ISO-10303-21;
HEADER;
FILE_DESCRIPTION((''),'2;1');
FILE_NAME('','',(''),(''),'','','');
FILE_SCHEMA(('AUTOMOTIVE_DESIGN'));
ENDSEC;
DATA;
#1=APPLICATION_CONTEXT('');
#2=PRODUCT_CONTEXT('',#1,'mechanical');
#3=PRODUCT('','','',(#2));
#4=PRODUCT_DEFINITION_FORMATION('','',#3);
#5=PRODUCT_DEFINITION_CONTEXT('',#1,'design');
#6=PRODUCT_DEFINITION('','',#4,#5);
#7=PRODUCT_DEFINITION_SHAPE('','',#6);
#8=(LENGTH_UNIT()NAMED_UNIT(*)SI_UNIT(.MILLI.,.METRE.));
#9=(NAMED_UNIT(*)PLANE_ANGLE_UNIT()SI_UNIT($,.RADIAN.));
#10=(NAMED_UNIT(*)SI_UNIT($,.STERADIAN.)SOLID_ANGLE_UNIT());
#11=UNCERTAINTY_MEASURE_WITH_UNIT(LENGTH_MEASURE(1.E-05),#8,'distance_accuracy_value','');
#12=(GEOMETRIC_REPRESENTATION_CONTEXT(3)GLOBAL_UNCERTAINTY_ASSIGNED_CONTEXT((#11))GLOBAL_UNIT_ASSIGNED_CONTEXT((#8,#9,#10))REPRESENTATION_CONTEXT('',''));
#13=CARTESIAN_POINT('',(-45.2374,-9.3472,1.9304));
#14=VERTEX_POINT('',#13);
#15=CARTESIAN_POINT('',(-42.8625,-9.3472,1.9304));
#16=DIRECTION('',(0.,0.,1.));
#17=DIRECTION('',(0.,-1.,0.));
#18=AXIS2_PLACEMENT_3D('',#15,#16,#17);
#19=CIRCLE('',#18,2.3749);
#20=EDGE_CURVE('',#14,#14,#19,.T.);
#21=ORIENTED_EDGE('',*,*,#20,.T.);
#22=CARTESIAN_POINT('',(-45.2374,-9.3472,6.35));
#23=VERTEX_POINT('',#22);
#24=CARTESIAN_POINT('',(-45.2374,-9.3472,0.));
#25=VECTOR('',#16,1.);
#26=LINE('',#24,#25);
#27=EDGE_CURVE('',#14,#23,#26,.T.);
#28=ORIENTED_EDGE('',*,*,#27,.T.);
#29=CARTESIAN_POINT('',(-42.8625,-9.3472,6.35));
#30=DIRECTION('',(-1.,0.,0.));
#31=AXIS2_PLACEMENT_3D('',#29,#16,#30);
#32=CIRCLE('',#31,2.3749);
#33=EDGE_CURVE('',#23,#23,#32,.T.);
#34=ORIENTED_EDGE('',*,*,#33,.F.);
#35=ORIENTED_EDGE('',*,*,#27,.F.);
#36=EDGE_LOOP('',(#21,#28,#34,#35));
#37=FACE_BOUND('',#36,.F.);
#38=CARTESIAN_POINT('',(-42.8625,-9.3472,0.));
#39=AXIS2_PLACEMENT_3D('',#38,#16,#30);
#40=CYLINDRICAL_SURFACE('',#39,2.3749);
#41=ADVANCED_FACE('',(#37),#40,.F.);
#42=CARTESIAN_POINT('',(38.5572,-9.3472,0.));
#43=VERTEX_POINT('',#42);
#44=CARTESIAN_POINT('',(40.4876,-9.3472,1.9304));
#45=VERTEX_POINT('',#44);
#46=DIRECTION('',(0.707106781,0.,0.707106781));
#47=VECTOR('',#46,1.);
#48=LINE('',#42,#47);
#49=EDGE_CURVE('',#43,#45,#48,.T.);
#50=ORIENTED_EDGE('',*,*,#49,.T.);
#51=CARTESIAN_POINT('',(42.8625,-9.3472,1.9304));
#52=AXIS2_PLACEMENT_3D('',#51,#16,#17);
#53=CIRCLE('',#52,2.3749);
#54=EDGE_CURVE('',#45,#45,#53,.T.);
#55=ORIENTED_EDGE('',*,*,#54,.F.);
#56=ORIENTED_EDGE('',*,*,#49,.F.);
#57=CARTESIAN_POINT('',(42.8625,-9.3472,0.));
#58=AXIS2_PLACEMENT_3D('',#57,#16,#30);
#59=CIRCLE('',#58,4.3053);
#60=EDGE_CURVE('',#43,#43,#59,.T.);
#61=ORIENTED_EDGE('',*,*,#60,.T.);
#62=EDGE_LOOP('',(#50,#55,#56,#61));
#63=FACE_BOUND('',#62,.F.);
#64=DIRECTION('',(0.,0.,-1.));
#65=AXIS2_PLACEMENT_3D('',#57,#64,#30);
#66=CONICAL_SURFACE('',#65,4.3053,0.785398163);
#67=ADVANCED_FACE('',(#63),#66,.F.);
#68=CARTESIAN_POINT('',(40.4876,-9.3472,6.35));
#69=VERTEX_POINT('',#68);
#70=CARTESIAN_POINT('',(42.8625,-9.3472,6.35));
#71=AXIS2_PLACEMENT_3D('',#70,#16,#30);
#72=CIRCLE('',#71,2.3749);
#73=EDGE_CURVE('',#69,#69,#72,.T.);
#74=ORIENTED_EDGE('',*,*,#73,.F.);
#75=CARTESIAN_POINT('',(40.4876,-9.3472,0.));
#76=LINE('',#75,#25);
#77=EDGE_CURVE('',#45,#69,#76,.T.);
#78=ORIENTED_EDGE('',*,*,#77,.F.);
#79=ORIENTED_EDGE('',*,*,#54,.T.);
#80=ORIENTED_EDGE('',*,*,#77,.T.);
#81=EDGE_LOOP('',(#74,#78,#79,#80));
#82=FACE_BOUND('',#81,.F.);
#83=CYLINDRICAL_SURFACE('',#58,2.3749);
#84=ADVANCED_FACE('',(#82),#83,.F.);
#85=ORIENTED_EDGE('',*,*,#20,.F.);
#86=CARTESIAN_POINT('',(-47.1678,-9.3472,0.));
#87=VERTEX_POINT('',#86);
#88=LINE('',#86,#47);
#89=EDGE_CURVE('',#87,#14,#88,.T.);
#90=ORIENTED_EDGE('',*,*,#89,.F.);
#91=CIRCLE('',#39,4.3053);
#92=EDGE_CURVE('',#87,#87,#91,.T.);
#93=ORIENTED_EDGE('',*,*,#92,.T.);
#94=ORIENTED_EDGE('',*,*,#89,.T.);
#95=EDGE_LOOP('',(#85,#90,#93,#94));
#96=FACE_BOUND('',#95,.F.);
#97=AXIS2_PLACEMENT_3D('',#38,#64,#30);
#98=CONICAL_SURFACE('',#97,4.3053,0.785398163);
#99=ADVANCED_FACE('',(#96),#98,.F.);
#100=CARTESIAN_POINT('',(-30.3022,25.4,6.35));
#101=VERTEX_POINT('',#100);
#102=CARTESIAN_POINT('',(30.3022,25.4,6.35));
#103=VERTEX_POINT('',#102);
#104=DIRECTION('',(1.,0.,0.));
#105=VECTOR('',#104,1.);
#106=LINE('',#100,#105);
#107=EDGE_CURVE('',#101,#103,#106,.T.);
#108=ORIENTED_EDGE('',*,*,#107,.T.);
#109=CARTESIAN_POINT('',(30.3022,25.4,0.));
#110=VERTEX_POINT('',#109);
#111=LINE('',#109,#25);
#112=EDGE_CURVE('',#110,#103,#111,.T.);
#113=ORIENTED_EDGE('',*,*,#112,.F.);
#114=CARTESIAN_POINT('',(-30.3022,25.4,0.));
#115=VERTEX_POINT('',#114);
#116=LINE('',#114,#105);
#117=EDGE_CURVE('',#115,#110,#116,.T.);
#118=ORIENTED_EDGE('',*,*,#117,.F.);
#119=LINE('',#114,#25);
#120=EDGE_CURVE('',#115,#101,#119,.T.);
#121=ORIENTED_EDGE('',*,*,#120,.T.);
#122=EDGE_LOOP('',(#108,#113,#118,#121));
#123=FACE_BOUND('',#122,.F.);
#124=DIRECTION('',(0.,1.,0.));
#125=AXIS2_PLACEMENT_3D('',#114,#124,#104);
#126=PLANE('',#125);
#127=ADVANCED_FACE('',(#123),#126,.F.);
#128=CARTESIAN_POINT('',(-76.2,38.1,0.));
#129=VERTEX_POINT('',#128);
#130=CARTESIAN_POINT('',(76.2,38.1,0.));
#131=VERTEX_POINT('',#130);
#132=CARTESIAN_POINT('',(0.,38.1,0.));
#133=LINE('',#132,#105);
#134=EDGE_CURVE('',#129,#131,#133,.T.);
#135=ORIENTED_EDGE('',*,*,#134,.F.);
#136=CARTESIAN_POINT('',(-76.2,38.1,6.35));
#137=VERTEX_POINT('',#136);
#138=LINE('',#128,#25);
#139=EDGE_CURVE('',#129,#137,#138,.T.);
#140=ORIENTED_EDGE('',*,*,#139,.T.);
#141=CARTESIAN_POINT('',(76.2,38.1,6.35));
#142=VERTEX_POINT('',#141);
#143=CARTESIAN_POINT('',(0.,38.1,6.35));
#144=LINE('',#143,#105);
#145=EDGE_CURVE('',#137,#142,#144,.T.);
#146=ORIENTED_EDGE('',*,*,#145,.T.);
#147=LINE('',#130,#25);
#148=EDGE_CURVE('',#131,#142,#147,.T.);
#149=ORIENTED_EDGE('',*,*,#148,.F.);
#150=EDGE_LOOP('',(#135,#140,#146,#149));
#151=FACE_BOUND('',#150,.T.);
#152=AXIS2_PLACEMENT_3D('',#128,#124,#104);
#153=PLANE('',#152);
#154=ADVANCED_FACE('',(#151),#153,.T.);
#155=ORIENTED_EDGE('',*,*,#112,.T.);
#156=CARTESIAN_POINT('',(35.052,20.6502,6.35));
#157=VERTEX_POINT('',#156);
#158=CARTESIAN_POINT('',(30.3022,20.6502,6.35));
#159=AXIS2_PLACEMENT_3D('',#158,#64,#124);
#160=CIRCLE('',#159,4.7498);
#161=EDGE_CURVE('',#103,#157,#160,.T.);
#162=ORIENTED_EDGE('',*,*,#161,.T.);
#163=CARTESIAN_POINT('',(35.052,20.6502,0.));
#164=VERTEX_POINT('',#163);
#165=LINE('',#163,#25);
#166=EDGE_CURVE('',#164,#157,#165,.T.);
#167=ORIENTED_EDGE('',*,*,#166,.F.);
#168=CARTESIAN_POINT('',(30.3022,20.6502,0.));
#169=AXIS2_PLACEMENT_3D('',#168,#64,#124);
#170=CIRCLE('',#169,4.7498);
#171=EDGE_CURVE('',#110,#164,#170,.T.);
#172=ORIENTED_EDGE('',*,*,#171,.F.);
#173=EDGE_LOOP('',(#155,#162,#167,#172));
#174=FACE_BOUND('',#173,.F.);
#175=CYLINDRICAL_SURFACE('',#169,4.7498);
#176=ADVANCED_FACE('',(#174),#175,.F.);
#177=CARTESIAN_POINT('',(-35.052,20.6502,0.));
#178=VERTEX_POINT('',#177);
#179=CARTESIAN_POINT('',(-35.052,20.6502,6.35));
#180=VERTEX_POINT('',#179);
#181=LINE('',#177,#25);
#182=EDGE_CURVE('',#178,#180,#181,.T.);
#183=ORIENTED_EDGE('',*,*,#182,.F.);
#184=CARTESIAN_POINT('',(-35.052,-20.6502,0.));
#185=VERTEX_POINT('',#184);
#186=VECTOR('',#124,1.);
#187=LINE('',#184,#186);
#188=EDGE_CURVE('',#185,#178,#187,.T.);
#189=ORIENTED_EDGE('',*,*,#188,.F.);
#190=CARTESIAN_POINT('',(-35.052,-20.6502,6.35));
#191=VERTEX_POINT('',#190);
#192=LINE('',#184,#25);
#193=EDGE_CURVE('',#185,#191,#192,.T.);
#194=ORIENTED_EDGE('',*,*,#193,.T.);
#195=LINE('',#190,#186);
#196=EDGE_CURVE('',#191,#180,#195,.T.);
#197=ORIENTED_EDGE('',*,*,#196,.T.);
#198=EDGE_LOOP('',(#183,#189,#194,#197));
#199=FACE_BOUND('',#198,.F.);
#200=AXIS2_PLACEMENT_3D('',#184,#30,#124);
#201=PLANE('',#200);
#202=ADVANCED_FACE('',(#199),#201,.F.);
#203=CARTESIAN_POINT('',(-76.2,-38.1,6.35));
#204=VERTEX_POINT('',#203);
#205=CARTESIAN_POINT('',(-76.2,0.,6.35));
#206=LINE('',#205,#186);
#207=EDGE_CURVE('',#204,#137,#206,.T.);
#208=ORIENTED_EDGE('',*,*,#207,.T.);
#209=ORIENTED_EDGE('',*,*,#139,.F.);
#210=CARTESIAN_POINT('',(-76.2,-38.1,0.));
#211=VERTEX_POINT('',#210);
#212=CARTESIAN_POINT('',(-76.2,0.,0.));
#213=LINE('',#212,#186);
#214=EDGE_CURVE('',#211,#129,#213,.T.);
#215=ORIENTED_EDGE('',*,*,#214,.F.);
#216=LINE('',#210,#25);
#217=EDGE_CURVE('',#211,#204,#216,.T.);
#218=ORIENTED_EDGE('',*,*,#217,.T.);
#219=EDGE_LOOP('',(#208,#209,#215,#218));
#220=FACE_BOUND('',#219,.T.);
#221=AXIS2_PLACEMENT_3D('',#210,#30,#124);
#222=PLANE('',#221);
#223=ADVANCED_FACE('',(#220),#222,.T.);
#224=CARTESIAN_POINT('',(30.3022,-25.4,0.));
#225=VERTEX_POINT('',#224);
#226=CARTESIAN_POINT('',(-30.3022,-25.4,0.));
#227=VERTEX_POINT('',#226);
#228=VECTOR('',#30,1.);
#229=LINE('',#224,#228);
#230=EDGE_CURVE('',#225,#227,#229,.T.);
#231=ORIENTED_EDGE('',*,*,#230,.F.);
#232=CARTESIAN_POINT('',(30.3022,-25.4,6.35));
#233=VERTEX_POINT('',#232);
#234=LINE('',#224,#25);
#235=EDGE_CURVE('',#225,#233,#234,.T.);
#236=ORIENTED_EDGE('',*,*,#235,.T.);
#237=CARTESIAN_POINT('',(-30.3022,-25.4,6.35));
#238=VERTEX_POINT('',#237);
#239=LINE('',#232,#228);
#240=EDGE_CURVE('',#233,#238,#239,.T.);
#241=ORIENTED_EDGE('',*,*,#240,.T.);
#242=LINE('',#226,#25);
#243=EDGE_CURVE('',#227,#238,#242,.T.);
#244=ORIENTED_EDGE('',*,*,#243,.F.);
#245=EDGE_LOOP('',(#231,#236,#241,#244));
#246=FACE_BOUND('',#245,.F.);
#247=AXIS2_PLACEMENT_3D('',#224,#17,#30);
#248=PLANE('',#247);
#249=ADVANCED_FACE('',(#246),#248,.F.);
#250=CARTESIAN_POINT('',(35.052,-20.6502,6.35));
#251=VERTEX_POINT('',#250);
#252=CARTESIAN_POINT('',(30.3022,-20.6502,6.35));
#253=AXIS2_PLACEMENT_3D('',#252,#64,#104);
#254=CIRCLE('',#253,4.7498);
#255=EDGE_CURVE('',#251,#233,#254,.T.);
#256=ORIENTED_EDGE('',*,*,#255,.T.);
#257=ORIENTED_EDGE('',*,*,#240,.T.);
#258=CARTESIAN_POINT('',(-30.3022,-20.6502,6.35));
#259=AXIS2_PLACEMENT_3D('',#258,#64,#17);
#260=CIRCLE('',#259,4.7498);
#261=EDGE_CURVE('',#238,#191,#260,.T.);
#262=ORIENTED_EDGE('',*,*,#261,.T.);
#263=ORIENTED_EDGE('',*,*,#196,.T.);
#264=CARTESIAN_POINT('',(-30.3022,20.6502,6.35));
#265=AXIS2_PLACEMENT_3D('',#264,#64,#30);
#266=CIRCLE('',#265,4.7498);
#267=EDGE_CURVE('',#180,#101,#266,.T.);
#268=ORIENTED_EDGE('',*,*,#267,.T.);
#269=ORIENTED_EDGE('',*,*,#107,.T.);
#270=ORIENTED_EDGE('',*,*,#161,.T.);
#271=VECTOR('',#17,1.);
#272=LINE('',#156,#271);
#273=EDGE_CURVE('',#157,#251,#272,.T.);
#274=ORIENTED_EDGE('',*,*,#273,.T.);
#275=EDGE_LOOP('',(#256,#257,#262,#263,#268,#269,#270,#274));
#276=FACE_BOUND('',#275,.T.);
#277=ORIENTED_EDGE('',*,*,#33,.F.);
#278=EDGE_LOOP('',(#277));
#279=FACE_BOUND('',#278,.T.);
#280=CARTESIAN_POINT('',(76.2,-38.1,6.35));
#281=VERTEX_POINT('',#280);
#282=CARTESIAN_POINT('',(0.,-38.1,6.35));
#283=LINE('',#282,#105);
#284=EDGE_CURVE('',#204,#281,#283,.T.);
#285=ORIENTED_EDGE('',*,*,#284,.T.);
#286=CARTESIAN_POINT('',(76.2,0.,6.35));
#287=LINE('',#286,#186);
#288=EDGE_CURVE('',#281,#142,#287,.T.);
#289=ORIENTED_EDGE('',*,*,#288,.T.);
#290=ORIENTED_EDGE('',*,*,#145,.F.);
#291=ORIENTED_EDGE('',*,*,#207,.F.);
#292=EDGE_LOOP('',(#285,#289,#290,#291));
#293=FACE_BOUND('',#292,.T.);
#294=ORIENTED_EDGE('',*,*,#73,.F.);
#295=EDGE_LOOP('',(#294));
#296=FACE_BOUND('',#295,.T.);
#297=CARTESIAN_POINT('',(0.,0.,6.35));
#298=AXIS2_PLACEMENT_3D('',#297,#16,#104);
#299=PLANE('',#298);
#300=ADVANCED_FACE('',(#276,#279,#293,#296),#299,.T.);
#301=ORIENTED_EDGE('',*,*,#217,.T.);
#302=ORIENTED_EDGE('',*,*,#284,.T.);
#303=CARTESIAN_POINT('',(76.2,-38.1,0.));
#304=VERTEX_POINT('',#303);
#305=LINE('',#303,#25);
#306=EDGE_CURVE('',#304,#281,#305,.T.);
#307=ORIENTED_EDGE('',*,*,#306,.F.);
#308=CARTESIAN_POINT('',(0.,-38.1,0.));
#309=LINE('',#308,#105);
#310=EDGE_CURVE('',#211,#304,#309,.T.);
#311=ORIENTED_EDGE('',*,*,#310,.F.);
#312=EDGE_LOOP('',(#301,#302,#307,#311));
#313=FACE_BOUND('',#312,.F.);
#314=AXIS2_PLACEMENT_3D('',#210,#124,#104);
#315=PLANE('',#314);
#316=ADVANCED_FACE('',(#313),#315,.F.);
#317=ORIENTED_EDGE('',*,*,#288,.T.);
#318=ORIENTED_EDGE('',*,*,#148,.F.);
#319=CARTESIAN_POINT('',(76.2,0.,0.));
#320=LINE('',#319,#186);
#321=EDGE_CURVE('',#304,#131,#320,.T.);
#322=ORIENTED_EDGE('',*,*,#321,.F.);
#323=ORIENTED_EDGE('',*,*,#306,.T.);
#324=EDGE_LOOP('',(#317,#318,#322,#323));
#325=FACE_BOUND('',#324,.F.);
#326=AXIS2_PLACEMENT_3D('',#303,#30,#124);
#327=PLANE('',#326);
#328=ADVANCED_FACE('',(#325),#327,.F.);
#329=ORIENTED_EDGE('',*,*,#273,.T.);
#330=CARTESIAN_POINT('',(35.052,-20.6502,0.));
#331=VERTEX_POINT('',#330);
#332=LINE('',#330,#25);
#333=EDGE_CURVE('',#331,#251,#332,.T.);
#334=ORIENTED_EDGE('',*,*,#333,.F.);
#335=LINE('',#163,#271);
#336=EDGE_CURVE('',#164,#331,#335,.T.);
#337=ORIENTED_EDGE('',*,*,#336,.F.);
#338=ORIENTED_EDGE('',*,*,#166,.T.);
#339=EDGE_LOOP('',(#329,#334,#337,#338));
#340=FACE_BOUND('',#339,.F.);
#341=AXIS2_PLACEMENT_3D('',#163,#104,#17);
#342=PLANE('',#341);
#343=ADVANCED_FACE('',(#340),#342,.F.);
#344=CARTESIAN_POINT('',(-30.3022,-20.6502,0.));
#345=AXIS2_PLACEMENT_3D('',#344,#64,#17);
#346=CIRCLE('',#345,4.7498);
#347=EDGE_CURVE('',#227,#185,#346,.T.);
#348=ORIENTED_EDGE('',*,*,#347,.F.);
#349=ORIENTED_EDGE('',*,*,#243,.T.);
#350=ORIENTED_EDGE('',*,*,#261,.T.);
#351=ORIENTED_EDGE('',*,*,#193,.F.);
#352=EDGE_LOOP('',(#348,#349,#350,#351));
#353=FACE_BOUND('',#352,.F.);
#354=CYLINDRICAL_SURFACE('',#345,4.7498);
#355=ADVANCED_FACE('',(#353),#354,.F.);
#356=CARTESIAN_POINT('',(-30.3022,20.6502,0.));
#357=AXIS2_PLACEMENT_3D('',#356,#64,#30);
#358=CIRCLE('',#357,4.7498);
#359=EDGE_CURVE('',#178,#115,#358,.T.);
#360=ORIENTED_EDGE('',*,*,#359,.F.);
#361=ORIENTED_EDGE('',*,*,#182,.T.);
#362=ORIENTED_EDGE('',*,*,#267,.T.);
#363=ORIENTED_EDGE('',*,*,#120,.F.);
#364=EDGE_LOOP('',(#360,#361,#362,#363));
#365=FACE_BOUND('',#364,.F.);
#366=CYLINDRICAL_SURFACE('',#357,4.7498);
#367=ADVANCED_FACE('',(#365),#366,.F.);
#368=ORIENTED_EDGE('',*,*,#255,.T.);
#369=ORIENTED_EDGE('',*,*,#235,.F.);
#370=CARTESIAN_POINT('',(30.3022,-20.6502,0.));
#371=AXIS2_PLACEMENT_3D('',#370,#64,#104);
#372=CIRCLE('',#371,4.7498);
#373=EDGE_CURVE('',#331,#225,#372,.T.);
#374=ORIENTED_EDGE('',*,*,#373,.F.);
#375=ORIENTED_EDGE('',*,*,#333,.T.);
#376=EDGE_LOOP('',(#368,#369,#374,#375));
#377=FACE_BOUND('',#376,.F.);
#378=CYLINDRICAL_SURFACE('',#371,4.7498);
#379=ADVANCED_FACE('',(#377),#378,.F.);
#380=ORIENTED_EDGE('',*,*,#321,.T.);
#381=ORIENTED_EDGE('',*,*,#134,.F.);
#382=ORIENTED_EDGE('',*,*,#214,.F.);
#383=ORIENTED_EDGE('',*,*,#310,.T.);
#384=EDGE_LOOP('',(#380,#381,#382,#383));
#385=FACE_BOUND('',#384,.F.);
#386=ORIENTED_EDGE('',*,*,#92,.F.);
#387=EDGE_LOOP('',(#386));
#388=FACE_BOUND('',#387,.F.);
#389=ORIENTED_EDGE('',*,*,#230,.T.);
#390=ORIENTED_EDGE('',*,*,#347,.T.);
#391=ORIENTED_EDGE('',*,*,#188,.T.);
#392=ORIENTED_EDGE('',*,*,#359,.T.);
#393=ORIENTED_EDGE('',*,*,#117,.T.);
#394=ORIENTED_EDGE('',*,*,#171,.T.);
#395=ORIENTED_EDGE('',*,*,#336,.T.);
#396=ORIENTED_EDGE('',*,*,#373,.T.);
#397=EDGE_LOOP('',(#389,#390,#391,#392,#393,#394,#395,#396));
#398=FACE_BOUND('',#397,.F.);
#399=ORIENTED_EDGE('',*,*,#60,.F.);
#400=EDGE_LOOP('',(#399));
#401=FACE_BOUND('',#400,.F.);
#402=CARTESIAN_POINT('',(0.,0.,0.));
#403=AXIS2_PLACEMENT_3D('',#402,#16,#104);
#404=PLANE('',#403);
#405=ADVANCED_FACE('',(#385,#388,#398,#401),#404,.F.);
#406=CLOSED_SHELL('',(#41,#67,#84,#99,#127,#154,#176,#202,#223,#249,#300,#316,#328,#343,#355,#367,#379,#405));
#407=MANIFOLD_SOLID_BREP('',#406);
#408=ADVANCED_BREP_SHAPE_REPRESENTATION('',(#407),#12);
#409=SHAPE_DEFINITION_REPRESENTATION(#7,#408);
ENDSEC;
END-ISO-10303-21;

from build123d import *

# Parameters (mm, degrees)
F0_W           = 152.4
F0_H           = 76.2
F1_DEPTH       = 6.35
F2_D           = 4.7498
F2_CSINK_D     = 8.6106
F2_CSINK_ANGLE = 90


with BuildPart() as f1:
    # F0 (on Top) → F1 (new body)
    with BuildSketch(Plane.XY):
        Rectangle(F0_W, F0_H)
        with BuildLine():
            Line((30.3022, -25.4), (-30.3022, -25.4))
            ThreePointArc((-30.3022, -25.4), (-33.6608157893, -24.0088157893), (-35.052, -20.6502))
            Line((-35.052, -20.6502), (-35.052, 20.6502))
            ThreePointArc((-35.052, 20.6502), (-33.6608157893, 24.0088157893), (-30.3022, 25.4))
            Line((-30.3022, 25.4), (30.3022, 25.4))
            ThreePointArc((30.3022, 25.4), (33.6608157893, 24.0088157893), (35.052, 20.6502))
            Line((35.052, 20.6502), (35.052, -20.6502))
            ThreePointArc((35.052, -20.6502), (33.6608157893, -24.0088157893), (30.3022, -25.4))
        make_face(mode=Mode.SUBTRACT)
    extrude(amount=F1_DEPTH)

    # F2 (through all)
    with Locations(Plane(origin=(0, 0, 0), x_dir=(1, 0, 0), z_dir=(0, 0, -1))):
        with Locations((-42.8625, 9.3472), (42.8625, 9.3472)):
            CounterSinkHole(F2_D / 2, F2_CSINK_D / 2, counter_sink_angle=F2_CSINK_ANGLE)


solid = f1.part
